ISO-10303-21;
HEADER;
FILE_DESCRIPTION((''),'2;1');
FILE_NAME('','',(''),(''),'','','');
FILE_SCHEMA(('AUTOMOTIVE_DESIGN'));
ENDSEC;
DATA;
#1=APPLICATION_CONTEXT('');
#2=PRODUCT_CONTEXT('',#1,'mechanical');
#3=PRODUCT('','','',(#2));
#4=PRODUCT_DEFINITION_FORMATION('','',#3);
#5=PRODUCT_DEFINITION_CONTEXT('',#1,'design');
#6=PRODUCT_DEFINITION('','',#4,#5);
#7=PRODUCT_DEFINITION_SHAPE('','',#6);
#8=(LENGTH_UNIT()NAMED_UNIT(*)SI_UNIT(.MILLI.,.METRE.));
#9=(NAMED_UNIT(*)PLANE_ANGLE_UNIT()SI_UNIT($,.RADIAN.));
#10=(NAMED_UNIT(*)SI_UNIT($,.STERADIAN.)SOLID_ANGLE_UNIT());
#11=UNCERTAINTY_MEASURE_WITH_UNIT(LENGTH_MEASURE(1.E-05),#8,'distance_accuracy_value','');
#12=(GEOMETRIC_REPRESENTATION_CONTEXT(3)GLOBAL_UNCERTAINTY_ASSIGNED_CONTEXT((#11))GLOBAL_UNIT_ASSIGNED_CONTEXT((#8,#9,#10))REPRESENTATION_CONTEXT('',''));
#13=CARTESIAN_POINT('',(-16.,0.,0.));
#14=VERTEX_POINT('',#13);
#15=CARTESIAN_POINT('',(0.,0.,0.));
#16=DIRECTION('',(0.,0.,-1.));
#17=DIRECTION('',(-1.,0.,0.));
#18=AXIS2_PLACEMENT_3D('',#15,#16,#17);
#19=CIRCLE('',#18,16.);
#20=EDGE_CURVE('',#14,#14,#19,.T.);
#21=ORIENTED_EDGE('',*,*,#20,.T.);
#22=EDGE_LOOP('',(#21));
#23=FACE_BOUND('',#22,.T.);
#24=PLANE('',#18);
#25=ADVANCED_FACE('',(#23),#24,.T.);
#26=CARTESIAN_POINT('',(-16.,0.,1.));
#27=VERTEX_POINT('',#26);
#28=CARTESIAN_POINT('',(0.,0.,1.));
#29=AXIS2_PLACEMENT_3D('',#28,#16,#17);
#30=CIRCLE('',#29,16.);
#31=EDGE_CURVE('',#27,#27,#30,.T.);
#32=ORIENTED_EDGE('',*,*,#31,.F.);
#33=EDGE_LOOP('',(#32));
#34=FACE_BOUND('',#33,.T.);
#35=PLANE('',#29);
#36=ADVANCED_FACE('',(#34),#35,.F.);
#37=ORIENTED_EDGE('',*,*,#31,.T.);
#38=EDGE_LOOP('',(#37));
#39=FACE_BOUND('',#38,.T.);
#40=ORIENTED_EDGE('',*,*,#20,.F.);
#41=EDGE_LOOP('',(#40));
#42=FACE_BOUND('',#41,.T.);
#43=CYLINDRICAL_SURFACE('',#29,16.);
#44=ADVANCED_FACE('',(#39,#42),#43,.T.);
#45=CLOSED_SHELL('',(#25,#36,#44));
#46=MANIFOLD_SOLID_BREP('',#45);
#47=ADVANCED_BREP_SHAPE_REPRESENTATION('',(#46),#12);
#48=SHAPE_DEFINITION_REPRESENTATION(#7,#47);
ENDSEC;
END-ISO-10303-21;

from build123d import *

# Parameters (mm, degrees)
SKETCH1_R           = 16
BOSS_EXTRUDE1_DEPTH = 1


with BuildPart() as part:
    # Sketch1 → Boss-Extrude1 (new body)
    with BuildSketch(Plane(origin=(0, 0, 0), x_dir=(-1, 0, 0), z_dir=(0, 0, -1))):
        Circle(SKETCH1_R)
    extrude(amount=-BOSS_EXTRUDE1_DEPTH)


solid = part.part
